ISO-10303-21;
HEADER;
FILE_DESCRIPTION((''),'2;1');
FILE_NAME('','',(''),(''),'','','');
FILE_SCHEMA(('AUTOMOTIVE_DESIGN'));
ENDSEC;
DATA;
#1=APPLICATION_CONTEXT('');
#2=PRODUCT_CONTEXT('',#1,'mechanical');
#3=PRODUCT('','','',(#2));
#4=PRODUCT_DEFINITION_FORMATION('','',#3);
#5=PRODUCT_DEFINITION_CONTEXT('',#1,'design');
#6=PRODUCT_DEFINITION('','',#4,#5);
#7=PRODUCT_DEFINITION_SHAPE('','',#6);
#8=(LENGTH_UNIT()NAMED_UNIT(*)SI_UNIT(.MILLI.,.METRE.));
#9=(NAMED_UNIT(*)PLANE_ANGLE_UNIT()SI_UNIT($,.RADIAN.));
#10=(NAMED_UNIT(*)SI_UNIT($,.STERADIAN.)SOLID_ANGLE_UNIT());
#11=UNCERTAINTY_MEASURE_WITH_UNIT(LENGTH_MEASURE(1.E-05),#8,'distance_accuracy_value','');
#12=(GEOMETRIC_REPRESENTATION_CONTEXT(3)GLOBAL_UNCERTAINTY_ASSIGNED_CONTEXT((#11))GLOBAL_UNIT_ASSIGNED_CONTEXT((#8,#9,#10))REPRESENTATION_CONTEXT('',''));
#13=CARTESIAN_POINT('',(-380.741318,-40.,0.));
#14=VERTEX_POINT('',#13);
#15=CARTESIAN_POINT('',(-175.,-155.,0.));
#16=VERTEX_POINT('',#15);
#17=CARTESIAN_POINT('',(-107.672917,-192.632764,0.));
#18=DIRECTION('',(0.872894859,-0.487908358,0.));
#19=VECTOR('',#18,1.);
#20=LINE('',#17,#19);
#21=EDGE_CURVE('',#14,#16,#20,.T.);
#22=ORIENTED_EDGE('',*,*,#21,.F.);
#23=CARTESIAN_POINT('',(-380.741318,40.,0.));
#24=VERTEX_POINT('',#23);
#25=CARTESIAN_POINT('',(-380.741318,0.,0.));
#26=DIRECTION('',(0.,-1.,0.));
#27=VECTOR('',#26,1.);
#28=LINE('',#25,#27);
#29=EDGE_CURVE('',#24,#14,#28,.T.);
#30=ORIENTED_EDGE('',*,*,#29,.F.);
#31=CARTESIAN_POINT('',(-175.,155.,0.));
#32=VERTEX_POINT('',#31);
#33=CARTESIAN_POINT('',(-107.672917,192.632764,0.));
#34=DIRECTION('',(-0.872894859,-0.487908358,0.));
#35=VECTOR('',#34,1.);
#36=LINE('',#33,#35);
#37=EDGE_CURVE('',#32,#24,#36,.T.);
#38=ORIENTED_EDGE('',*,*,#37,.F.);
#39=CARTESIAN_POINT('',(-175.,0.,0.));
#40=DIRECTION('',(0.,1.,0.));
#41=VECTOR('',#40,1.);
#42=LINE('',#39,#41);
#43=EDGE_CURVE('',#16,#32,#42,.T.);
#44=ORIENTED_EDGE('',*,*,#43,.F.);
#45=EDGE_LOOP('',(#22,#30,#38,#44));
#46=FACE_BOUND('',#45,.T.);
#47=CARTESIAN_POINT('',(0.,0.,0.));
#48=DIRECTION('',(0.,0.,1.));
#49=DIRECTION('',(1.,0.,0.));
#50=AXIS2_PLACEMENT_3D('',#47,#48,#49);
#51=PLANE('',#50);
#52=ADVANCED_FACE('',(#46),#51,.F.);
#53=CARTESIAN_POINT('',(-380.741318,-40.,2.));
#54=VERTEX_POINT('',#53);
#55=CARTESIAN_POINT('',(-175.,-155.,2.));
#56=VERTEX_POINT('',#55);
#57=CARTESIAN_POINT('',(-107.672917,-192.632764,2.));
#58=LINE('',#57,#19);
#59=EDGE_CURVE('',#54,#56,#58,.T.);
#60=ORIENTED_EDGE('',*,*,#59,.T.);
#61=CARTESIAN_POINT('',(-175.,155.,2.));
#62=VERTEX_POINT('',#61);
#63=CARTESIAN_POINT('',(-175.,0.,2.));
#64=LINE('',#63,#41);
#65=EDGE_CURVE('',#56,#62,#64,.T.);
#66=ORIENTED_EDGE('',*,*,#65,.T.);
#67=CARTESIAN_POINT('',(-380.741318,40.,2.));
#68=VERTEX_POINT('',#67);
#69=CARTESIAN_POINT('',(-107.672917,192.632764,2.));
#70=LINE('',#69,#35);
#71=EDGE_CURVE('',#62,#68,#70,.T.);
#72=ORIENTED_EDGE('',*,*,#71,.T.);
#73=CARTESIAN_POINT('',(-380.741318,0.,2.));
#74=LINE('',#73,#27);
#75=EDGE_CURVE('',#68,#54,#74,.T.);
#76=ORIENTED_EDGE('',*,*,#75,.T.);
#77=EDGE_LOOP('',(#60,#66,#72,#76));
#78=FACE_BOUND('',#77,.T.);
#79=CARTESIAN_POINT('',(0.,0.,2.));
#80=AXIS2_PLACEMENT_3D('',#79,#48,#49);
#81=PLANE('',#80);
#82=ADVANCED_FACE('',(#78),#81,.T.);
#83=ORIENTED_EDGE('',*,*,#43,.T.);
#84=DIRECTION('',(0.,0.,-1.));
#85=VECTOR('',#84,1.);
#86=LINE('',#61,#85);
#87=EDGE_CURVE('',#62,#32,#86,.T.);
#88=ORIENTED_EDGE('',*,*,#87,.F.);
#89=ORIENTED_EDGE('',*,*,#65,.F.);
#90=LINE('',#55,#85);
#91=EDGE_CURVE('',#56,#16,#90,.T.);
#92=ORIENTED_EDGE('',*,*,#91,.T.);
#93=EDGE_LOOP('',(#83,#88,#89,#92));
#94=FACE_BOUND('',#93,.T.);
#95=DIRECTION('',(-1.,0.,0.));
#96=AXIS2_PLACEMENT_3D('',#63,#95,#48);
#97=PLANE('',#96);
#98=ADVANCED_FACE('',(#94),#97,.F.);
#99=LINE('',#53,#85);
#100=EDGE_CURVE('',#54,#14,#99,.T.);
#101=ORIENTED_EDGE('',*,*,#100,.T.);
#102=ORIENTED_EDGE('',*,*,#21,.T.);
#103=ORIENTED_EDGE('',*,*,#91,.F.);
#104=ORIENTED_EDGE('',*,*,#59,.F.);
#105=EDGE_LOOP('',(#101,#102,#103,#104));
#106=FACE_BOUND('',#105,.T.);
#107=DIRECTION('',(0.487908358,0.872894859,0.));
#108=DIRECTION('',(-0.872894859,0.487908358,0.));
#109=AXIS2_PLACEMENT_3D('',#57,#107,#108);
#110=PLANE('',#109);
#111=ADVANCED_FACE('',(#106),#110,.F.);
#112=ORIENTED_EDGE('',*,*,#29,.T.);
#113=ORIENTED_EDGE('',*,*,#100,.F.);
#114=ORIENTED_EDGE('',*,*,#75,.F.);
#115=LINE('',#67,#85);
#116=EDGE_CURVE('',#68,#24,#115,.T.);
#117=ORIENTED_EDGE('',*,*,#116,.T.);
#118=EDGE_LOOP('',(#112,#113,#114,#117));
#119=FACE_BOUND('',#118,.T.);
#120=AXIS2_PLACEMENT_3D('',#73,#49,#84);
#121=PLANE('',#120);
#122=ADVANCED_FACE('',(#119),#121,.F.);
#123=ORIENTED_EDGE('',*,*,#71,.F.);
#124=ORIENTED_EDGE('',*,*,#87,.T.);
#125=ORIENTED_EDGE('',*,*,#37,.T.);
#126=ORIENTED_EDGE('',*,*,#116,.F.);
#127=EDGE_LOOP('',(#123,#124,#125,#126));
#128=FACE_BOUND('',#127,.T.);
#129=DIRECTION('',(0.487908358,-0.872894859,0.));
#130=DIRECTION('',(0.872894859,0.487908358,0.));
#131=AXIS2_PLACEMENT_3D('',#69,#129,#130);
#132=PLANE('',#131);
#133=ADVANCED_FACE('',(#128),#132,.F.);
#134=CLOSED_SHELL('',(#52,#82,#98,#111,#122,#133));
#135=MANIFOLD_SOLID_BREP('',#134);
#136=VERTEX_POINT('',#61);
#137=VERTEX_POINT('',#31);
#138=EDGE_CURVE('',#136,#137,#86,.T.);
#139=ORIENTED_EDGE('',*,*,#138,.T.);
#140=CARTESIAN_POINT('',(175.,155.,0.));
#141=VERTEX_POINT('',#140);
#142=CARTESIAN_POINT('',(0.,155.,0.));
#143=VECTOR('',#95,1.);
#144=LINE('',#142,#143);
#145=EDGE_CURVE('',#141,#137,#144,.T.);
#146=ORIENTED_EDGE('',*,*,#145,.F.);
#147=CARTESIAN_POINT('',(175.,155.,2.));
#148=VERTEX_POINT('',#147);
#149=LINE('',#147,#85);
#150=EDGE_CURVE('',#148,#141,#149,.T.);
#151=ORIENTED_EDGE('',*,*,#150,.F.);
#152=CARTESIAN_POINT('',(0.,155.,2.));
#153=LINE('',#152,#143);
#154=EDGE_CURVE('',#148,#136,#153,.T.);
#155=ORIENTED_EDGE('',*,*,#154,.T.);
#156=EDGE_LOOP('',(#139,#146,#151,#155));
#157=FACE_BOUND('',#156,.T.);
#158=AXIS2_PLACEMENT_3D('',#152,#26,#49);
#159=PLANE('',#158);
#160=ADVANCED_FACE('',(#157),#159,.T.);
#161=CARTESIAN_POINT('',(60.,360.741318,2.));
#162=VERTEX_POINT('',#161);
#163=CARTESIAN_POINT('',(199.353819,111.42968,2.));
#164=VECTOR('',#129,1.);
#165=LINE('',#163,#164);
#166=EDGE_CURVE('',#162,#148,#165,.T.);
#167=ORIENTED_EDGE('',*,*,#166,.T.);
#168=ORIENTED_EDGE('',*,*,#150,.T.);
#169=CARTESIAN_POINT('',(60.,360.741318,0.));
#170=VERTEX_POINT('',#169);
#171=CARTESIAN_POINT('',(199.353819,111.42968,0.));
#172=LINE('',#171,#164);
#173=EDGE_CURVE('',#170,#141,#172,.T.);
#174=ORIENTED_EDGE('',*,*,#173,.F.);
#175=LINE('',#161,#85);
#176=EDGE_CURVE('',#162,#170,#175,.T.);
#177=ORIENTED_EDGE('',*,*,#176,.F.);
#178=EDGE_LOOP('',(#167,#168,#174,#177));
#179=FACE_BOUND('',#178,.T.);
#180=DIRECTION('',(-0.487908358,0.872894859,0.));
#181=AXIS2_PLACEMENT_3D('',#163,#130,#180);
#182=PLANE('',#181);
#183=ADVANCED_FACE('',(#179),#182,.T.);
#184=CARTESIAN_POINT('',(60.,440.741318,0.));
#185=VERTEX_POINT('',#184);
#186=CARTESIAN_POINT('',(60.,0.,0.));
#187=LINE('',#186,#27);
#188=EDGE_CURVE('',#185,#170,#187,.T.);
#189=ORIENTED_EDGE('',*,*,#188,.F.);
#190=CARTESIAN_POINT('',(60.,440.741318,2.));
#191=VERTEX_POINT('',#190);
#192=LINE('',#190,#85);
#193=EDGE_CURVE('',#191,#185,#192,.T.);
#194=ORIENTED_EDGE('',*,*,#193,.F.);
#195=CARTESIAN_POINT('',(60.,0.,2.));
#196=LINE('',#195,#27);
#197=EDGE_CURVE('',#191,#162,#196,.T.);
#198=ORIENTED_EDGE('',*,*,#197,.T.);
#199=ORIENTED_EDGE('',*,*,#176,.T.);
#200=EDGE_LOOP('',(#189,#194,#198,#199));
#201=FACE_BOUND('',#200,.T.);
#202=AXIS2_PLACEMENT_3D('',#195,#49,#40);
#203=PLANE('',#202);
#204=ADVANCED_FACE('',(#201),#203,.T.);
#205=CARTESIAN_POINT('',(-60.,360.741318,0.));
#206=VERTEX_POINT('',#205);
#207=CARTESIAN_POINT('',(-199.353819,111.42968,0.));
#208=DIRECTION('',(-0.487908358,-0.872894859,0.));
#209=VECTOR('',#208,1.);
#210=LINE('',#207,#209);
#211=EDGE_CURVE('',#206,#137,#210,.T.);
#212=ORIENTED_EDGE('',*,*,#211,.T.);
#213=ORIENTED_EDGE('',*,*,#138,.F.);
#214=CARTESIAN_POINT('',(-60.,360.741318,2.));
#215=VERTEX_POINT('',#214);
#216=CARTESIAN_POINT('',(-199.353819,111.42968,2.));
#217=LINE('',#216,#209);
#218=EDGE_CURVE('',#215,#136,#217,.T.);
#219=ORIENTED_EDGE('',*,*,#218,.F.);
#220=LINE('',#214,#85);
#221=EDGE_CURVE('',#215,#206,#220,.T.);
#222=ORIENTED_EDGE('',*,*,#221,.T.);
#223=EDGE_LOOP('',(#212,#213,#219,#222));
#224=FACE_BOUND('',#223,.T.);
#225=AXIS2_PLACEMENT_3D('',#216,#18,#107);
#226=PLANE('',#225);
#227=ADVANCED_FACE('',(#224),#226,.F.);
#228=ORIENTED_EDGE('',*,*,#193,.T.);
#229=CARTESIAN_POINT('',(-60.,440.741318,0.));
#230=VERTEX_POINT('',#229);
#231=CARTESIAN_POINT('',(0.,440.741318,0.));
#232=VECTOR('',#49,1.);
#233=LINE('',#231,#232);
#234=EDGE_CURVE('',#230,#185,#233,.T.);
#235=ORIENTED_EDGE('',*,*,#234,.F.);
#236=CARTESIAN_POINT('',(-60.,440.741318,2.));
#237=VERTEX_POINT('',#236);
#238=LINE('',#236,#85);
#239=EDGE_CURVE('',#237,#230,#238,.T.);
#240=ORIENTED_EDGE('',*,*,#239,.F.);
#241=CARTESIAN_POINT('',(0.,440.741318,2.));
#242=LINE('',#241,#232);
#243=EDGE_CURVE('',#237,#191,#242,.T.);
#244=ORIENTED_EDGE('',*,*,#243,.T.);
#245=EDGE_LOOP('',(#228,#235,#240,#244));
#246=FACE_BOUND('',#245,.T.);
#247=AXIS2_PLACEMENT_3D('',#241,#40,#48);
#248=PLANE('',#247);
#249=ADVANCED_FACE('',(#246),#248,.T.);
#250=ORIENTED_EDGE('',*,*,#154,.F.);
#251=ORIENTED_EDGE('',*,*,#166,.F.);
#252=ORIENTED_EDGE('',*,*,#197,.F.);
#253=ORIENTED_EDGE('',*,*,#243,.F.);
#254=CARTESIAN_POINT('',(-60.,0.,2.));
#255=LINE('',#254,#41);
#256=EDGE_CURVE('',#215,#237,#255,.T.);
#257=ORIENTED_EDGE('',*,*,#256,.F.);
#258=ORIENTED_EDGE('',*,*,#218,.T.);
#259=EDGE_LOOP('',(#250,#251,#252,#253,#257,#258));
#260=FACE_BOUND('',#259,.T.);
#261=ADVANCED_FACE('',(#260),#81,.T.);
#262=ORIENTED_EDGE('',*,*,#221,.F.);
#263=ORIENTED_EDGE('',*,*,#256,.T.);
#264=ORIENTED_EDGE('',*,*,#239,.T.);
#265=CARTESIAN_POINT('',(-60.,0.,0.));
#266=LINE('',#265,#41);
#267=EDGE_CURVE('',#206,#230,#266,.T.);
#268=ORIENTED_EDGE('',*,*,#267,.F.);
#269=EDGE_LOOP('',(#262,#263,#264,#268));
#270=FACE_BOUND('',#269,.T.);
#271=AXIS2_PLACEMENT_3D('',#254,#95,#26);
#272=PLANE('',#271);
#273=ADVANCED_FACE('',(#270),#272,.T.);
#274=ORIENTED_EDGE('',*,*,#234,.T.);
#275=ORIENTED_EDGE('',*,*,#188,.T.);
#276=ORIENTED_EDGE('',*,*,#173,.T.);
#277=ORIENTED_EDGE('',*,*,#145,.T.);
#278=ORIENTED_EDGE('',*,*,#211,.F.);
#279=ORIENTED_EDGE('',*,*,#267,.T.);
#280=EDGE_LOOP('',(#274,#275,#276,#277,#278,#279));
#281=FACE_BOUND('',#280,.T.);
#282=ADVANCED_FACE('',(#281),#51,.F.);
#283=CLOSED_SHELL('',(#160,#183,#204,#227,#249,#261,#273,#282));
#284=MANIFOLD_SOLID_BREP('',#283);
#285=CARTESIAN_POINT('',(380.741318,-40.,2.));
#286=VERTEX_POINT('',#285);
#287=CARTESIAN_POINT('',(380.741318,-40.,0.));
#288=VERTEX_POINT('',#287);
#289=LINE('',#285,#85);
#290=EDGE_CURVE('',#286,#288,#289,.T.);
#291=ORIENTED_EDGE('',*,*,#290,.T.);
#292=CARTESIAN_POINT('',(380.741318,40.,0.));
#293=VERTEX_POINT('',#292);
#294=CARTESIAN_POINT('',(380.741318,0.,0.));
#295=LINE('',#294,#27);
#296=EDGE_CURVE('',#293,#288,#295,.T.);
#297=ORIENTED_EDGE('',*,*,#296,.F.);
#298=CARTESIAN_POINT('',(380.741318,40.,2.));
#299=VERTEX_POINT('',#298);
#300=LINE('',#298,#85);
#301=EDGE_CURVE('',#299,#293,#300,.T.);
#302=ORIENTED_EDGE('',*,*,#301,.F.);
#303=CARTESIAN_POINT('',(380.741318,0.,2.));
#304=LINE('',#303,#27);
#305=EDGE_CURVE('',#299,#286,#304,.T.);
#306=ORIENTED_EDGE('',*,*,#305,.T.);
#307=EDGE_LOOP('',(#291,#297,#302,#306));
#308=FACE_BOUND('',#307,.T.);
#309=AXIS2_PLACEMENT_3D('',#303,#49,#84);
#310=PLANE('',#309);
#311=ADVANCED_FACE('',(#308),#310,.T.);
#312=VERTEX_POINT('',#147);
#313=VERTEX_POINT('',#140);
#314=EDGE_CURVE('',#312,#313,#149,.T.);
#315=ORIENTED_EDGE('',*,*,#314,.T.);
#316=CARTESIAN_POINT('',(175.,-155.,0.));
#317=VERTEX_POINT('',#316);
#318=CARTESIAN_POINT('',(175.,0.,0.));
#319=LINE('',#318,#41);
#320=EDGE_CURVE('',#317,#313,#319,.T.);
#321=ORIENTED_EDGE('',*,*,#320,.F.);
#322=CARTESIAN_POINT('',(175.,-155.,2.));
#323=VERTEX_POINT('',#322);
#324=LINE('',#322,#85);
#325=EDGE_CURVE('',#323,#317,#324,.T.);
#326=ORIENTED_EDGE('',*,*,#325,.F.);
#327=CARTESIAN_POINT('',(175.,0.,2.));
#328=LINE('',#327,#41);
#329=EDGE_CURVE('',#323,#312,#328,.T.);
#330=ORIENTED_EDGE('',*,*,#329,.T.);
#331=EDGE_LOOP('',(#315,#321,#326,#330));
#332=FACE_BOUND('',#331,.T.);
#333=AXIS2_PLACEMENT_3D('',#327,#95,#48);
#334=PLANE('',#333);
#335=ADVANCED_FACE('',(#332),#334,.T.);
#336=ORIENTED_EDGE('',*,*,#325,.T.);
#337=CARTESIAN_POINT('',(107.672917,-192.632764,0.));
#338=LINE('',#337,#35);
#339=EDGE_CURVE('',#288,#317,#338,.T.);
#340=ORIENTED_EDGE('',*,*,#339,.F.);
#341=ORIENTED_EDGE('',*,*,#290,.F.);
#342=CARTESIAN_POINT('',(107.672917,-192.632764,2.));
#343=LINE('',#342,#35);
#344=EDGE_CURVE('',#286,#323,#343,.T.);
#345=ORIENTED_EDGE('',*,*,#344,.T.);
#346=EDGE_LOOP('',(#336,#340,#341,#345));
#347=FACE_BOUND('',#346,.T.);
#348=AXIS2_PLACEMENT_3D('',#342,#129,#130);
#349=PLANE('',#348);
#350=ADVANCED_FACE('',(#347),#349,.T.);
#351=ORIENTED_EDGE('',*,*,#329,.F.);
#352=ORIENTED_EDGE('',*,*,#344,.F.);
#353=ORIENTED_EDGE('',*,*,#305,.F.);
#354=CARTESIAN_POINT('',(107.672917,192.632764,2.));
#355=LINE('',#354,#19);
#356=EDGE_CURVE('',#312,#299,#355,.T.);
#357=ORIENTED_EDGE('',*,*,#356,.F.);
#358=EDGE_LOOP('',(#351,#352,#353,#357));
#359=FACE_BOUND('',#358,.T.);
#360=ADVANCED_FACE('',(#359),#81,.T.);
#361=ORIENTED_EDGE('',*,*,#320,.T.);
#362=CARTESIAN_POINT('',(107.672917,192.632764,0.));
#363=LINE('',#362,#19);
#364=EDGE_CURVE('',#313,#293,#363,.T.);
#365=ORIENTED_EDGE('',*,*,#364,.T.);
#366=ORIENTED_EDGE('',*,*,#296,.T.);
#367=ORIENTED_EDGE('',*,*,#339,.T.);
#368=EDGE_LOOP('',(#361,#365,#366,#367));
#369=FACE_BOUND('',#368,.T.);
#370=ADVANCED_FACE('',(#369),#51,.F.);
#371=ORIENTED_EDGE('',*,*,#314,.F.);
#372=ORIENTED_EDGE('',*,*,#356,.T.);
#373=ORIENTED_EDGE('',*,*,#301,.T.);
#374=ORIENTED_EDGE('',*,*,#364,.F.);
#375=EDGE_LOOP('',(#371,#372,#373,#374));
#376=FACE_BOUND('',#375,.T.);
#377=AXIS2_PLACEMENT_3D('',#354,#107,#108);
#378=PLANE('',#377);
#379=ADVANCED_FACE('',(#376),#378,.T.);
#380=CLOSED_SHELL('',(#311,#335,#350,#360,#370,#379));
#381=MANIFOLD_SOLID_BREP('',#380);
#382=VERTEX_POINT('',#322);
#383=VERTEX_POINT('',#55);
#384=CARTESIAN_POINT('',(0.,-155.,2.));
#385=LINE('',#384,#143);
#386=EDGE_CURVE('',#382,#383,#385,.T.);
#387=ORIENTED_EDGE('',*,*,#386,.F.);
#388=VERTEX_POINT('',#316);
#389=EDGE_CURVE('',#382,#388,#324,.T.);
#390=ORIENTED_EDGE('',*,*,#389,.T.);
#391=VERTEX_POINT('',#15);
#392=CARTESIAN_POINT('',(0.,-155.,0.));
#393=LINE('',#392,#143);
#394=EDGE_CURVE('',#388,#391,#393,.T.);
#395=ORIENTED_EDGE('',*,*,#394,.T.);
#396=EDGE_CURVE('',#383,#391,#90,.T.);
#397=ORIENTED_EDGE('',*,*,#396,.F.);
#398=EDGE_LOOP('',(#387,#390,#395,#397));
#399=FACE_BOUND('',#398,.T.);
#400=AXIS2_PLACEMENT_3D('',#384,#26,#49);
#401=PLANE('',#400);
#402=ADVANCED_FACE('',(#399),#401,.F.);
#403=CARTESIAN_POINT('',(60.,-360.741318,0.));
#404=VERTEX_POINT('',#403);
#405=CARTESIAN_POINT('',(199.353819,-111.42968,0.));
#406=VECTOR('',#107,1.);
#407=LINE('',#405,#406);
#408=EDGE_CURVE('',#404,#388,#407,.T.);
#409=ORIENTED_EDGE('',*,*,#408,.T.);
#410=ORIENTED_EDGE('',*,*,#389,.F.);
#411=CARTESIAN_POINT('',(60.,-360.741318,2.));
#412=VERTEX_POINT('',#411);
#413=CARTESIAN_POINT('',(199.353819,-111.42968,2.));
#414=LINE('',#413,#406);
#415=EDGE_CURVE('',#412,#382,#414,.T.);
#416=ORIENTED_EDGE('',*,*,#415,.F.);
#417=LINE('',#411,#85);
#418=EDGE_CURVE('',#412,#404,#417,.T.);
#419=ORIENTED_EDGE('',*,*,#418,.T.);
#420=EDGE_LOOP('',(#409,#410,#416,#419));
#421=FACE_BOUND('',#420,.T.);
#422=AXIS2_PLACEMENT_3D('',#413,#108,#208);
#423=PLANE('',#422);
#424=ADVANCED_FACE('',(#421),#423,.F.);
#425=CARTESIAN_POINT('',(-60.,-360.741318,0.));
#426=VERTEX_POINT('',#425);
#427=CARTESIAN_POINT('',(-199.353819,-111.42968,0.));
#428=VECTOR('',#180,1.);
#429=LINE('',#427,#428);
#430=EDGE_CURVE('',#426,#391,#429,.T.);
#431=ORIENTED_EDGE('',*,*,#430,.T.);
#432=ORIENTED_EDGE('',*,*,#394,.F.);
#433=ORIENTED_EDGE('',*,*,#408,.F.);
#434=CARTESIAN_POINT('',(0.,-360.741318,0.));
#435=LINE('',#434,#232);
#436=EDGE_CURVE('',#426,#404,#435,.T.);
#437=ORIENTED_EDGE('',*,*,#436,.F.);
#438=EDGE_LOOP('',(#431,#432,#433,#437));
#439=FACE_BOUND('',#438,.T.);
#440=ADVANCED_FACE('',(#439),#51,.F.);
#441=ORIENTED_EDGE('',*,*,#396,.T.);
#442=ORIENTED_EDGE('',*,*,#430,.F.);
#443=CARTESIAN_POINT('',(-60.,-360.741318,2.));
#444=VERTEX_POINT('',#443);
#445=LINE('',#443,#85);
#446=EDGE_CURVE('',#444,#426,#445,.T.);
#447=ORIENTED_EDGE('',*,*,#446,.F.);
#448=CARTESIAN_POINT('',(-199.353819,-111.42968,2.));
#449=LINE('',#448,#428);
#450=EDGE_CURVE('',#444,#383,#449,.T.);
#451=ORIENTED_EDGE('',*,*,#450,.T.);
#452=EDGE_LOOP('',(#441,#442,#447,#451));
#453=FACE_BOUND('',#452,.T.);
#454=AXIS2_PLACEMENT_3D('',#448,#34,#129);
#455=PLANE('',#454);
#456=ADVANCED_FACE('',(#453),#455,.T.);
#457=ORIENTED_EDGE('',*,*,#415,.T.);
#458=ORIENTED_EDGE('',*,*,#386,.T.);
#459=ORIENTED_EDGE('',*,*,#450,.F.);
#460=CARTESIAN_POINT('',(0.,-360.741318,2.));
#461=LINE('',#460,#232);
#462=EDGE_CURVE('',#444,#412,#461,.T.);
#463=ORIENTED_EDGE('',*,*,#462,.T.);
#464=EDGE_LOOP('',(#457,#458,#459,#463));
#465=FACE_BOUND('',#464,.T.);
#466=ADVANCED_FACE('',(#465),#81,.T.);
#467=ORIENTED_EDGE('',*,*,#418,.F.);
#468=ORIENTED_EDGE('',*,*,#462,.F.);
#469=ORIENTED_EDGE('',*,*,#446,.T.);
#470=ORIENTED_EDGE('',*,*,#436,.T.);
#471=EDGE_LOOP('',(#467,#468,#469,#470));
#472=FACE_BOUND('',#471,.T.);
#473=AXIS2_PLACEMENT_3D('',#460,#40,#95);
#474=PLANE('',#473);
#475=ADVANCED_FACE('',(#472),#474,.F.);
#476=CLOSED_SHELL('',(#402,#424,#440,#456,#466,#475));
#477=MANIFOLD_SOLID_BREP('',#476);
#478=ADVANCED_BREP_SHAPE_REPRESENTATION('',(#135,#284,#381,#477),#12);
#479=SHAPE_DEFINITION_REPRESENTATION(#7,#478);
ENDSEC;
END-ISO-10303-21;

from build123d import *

# Parameters (mm, degrees)
SKETCH1_W           = 120
SKETCH1_H           = 80
BOSS_EXTRUDE2_DEPTH = 2


with BuildPart() as part:
    # Sketch1 → Boss-Extrude2 (new body)
    with BuildSketch(Plane.XY):
        with Locations((0, 400.741318164)):
            Rectangle(SKETCH1_W, SKETCH1_H)
        Polygon((60, 360.741318164), (175, 155), (-175, 155), (-60, 360.741318164), align=None)
        Polygon((380.741318164, -40), (175, -155), (175, 155), (380.741318164, 40), align=None)
        Polygon((-60, -360.741318164), (-175, -155), (175, -155), (60, -360.741318164), align=None)
        Polygon((-175, -155), (-175, 155), (-380.741318164, 40), (-380.741318164, -40), align=None)
    extrude(amount=BOSS_EXTRUDE2_DEPTH)


solid = part.part
